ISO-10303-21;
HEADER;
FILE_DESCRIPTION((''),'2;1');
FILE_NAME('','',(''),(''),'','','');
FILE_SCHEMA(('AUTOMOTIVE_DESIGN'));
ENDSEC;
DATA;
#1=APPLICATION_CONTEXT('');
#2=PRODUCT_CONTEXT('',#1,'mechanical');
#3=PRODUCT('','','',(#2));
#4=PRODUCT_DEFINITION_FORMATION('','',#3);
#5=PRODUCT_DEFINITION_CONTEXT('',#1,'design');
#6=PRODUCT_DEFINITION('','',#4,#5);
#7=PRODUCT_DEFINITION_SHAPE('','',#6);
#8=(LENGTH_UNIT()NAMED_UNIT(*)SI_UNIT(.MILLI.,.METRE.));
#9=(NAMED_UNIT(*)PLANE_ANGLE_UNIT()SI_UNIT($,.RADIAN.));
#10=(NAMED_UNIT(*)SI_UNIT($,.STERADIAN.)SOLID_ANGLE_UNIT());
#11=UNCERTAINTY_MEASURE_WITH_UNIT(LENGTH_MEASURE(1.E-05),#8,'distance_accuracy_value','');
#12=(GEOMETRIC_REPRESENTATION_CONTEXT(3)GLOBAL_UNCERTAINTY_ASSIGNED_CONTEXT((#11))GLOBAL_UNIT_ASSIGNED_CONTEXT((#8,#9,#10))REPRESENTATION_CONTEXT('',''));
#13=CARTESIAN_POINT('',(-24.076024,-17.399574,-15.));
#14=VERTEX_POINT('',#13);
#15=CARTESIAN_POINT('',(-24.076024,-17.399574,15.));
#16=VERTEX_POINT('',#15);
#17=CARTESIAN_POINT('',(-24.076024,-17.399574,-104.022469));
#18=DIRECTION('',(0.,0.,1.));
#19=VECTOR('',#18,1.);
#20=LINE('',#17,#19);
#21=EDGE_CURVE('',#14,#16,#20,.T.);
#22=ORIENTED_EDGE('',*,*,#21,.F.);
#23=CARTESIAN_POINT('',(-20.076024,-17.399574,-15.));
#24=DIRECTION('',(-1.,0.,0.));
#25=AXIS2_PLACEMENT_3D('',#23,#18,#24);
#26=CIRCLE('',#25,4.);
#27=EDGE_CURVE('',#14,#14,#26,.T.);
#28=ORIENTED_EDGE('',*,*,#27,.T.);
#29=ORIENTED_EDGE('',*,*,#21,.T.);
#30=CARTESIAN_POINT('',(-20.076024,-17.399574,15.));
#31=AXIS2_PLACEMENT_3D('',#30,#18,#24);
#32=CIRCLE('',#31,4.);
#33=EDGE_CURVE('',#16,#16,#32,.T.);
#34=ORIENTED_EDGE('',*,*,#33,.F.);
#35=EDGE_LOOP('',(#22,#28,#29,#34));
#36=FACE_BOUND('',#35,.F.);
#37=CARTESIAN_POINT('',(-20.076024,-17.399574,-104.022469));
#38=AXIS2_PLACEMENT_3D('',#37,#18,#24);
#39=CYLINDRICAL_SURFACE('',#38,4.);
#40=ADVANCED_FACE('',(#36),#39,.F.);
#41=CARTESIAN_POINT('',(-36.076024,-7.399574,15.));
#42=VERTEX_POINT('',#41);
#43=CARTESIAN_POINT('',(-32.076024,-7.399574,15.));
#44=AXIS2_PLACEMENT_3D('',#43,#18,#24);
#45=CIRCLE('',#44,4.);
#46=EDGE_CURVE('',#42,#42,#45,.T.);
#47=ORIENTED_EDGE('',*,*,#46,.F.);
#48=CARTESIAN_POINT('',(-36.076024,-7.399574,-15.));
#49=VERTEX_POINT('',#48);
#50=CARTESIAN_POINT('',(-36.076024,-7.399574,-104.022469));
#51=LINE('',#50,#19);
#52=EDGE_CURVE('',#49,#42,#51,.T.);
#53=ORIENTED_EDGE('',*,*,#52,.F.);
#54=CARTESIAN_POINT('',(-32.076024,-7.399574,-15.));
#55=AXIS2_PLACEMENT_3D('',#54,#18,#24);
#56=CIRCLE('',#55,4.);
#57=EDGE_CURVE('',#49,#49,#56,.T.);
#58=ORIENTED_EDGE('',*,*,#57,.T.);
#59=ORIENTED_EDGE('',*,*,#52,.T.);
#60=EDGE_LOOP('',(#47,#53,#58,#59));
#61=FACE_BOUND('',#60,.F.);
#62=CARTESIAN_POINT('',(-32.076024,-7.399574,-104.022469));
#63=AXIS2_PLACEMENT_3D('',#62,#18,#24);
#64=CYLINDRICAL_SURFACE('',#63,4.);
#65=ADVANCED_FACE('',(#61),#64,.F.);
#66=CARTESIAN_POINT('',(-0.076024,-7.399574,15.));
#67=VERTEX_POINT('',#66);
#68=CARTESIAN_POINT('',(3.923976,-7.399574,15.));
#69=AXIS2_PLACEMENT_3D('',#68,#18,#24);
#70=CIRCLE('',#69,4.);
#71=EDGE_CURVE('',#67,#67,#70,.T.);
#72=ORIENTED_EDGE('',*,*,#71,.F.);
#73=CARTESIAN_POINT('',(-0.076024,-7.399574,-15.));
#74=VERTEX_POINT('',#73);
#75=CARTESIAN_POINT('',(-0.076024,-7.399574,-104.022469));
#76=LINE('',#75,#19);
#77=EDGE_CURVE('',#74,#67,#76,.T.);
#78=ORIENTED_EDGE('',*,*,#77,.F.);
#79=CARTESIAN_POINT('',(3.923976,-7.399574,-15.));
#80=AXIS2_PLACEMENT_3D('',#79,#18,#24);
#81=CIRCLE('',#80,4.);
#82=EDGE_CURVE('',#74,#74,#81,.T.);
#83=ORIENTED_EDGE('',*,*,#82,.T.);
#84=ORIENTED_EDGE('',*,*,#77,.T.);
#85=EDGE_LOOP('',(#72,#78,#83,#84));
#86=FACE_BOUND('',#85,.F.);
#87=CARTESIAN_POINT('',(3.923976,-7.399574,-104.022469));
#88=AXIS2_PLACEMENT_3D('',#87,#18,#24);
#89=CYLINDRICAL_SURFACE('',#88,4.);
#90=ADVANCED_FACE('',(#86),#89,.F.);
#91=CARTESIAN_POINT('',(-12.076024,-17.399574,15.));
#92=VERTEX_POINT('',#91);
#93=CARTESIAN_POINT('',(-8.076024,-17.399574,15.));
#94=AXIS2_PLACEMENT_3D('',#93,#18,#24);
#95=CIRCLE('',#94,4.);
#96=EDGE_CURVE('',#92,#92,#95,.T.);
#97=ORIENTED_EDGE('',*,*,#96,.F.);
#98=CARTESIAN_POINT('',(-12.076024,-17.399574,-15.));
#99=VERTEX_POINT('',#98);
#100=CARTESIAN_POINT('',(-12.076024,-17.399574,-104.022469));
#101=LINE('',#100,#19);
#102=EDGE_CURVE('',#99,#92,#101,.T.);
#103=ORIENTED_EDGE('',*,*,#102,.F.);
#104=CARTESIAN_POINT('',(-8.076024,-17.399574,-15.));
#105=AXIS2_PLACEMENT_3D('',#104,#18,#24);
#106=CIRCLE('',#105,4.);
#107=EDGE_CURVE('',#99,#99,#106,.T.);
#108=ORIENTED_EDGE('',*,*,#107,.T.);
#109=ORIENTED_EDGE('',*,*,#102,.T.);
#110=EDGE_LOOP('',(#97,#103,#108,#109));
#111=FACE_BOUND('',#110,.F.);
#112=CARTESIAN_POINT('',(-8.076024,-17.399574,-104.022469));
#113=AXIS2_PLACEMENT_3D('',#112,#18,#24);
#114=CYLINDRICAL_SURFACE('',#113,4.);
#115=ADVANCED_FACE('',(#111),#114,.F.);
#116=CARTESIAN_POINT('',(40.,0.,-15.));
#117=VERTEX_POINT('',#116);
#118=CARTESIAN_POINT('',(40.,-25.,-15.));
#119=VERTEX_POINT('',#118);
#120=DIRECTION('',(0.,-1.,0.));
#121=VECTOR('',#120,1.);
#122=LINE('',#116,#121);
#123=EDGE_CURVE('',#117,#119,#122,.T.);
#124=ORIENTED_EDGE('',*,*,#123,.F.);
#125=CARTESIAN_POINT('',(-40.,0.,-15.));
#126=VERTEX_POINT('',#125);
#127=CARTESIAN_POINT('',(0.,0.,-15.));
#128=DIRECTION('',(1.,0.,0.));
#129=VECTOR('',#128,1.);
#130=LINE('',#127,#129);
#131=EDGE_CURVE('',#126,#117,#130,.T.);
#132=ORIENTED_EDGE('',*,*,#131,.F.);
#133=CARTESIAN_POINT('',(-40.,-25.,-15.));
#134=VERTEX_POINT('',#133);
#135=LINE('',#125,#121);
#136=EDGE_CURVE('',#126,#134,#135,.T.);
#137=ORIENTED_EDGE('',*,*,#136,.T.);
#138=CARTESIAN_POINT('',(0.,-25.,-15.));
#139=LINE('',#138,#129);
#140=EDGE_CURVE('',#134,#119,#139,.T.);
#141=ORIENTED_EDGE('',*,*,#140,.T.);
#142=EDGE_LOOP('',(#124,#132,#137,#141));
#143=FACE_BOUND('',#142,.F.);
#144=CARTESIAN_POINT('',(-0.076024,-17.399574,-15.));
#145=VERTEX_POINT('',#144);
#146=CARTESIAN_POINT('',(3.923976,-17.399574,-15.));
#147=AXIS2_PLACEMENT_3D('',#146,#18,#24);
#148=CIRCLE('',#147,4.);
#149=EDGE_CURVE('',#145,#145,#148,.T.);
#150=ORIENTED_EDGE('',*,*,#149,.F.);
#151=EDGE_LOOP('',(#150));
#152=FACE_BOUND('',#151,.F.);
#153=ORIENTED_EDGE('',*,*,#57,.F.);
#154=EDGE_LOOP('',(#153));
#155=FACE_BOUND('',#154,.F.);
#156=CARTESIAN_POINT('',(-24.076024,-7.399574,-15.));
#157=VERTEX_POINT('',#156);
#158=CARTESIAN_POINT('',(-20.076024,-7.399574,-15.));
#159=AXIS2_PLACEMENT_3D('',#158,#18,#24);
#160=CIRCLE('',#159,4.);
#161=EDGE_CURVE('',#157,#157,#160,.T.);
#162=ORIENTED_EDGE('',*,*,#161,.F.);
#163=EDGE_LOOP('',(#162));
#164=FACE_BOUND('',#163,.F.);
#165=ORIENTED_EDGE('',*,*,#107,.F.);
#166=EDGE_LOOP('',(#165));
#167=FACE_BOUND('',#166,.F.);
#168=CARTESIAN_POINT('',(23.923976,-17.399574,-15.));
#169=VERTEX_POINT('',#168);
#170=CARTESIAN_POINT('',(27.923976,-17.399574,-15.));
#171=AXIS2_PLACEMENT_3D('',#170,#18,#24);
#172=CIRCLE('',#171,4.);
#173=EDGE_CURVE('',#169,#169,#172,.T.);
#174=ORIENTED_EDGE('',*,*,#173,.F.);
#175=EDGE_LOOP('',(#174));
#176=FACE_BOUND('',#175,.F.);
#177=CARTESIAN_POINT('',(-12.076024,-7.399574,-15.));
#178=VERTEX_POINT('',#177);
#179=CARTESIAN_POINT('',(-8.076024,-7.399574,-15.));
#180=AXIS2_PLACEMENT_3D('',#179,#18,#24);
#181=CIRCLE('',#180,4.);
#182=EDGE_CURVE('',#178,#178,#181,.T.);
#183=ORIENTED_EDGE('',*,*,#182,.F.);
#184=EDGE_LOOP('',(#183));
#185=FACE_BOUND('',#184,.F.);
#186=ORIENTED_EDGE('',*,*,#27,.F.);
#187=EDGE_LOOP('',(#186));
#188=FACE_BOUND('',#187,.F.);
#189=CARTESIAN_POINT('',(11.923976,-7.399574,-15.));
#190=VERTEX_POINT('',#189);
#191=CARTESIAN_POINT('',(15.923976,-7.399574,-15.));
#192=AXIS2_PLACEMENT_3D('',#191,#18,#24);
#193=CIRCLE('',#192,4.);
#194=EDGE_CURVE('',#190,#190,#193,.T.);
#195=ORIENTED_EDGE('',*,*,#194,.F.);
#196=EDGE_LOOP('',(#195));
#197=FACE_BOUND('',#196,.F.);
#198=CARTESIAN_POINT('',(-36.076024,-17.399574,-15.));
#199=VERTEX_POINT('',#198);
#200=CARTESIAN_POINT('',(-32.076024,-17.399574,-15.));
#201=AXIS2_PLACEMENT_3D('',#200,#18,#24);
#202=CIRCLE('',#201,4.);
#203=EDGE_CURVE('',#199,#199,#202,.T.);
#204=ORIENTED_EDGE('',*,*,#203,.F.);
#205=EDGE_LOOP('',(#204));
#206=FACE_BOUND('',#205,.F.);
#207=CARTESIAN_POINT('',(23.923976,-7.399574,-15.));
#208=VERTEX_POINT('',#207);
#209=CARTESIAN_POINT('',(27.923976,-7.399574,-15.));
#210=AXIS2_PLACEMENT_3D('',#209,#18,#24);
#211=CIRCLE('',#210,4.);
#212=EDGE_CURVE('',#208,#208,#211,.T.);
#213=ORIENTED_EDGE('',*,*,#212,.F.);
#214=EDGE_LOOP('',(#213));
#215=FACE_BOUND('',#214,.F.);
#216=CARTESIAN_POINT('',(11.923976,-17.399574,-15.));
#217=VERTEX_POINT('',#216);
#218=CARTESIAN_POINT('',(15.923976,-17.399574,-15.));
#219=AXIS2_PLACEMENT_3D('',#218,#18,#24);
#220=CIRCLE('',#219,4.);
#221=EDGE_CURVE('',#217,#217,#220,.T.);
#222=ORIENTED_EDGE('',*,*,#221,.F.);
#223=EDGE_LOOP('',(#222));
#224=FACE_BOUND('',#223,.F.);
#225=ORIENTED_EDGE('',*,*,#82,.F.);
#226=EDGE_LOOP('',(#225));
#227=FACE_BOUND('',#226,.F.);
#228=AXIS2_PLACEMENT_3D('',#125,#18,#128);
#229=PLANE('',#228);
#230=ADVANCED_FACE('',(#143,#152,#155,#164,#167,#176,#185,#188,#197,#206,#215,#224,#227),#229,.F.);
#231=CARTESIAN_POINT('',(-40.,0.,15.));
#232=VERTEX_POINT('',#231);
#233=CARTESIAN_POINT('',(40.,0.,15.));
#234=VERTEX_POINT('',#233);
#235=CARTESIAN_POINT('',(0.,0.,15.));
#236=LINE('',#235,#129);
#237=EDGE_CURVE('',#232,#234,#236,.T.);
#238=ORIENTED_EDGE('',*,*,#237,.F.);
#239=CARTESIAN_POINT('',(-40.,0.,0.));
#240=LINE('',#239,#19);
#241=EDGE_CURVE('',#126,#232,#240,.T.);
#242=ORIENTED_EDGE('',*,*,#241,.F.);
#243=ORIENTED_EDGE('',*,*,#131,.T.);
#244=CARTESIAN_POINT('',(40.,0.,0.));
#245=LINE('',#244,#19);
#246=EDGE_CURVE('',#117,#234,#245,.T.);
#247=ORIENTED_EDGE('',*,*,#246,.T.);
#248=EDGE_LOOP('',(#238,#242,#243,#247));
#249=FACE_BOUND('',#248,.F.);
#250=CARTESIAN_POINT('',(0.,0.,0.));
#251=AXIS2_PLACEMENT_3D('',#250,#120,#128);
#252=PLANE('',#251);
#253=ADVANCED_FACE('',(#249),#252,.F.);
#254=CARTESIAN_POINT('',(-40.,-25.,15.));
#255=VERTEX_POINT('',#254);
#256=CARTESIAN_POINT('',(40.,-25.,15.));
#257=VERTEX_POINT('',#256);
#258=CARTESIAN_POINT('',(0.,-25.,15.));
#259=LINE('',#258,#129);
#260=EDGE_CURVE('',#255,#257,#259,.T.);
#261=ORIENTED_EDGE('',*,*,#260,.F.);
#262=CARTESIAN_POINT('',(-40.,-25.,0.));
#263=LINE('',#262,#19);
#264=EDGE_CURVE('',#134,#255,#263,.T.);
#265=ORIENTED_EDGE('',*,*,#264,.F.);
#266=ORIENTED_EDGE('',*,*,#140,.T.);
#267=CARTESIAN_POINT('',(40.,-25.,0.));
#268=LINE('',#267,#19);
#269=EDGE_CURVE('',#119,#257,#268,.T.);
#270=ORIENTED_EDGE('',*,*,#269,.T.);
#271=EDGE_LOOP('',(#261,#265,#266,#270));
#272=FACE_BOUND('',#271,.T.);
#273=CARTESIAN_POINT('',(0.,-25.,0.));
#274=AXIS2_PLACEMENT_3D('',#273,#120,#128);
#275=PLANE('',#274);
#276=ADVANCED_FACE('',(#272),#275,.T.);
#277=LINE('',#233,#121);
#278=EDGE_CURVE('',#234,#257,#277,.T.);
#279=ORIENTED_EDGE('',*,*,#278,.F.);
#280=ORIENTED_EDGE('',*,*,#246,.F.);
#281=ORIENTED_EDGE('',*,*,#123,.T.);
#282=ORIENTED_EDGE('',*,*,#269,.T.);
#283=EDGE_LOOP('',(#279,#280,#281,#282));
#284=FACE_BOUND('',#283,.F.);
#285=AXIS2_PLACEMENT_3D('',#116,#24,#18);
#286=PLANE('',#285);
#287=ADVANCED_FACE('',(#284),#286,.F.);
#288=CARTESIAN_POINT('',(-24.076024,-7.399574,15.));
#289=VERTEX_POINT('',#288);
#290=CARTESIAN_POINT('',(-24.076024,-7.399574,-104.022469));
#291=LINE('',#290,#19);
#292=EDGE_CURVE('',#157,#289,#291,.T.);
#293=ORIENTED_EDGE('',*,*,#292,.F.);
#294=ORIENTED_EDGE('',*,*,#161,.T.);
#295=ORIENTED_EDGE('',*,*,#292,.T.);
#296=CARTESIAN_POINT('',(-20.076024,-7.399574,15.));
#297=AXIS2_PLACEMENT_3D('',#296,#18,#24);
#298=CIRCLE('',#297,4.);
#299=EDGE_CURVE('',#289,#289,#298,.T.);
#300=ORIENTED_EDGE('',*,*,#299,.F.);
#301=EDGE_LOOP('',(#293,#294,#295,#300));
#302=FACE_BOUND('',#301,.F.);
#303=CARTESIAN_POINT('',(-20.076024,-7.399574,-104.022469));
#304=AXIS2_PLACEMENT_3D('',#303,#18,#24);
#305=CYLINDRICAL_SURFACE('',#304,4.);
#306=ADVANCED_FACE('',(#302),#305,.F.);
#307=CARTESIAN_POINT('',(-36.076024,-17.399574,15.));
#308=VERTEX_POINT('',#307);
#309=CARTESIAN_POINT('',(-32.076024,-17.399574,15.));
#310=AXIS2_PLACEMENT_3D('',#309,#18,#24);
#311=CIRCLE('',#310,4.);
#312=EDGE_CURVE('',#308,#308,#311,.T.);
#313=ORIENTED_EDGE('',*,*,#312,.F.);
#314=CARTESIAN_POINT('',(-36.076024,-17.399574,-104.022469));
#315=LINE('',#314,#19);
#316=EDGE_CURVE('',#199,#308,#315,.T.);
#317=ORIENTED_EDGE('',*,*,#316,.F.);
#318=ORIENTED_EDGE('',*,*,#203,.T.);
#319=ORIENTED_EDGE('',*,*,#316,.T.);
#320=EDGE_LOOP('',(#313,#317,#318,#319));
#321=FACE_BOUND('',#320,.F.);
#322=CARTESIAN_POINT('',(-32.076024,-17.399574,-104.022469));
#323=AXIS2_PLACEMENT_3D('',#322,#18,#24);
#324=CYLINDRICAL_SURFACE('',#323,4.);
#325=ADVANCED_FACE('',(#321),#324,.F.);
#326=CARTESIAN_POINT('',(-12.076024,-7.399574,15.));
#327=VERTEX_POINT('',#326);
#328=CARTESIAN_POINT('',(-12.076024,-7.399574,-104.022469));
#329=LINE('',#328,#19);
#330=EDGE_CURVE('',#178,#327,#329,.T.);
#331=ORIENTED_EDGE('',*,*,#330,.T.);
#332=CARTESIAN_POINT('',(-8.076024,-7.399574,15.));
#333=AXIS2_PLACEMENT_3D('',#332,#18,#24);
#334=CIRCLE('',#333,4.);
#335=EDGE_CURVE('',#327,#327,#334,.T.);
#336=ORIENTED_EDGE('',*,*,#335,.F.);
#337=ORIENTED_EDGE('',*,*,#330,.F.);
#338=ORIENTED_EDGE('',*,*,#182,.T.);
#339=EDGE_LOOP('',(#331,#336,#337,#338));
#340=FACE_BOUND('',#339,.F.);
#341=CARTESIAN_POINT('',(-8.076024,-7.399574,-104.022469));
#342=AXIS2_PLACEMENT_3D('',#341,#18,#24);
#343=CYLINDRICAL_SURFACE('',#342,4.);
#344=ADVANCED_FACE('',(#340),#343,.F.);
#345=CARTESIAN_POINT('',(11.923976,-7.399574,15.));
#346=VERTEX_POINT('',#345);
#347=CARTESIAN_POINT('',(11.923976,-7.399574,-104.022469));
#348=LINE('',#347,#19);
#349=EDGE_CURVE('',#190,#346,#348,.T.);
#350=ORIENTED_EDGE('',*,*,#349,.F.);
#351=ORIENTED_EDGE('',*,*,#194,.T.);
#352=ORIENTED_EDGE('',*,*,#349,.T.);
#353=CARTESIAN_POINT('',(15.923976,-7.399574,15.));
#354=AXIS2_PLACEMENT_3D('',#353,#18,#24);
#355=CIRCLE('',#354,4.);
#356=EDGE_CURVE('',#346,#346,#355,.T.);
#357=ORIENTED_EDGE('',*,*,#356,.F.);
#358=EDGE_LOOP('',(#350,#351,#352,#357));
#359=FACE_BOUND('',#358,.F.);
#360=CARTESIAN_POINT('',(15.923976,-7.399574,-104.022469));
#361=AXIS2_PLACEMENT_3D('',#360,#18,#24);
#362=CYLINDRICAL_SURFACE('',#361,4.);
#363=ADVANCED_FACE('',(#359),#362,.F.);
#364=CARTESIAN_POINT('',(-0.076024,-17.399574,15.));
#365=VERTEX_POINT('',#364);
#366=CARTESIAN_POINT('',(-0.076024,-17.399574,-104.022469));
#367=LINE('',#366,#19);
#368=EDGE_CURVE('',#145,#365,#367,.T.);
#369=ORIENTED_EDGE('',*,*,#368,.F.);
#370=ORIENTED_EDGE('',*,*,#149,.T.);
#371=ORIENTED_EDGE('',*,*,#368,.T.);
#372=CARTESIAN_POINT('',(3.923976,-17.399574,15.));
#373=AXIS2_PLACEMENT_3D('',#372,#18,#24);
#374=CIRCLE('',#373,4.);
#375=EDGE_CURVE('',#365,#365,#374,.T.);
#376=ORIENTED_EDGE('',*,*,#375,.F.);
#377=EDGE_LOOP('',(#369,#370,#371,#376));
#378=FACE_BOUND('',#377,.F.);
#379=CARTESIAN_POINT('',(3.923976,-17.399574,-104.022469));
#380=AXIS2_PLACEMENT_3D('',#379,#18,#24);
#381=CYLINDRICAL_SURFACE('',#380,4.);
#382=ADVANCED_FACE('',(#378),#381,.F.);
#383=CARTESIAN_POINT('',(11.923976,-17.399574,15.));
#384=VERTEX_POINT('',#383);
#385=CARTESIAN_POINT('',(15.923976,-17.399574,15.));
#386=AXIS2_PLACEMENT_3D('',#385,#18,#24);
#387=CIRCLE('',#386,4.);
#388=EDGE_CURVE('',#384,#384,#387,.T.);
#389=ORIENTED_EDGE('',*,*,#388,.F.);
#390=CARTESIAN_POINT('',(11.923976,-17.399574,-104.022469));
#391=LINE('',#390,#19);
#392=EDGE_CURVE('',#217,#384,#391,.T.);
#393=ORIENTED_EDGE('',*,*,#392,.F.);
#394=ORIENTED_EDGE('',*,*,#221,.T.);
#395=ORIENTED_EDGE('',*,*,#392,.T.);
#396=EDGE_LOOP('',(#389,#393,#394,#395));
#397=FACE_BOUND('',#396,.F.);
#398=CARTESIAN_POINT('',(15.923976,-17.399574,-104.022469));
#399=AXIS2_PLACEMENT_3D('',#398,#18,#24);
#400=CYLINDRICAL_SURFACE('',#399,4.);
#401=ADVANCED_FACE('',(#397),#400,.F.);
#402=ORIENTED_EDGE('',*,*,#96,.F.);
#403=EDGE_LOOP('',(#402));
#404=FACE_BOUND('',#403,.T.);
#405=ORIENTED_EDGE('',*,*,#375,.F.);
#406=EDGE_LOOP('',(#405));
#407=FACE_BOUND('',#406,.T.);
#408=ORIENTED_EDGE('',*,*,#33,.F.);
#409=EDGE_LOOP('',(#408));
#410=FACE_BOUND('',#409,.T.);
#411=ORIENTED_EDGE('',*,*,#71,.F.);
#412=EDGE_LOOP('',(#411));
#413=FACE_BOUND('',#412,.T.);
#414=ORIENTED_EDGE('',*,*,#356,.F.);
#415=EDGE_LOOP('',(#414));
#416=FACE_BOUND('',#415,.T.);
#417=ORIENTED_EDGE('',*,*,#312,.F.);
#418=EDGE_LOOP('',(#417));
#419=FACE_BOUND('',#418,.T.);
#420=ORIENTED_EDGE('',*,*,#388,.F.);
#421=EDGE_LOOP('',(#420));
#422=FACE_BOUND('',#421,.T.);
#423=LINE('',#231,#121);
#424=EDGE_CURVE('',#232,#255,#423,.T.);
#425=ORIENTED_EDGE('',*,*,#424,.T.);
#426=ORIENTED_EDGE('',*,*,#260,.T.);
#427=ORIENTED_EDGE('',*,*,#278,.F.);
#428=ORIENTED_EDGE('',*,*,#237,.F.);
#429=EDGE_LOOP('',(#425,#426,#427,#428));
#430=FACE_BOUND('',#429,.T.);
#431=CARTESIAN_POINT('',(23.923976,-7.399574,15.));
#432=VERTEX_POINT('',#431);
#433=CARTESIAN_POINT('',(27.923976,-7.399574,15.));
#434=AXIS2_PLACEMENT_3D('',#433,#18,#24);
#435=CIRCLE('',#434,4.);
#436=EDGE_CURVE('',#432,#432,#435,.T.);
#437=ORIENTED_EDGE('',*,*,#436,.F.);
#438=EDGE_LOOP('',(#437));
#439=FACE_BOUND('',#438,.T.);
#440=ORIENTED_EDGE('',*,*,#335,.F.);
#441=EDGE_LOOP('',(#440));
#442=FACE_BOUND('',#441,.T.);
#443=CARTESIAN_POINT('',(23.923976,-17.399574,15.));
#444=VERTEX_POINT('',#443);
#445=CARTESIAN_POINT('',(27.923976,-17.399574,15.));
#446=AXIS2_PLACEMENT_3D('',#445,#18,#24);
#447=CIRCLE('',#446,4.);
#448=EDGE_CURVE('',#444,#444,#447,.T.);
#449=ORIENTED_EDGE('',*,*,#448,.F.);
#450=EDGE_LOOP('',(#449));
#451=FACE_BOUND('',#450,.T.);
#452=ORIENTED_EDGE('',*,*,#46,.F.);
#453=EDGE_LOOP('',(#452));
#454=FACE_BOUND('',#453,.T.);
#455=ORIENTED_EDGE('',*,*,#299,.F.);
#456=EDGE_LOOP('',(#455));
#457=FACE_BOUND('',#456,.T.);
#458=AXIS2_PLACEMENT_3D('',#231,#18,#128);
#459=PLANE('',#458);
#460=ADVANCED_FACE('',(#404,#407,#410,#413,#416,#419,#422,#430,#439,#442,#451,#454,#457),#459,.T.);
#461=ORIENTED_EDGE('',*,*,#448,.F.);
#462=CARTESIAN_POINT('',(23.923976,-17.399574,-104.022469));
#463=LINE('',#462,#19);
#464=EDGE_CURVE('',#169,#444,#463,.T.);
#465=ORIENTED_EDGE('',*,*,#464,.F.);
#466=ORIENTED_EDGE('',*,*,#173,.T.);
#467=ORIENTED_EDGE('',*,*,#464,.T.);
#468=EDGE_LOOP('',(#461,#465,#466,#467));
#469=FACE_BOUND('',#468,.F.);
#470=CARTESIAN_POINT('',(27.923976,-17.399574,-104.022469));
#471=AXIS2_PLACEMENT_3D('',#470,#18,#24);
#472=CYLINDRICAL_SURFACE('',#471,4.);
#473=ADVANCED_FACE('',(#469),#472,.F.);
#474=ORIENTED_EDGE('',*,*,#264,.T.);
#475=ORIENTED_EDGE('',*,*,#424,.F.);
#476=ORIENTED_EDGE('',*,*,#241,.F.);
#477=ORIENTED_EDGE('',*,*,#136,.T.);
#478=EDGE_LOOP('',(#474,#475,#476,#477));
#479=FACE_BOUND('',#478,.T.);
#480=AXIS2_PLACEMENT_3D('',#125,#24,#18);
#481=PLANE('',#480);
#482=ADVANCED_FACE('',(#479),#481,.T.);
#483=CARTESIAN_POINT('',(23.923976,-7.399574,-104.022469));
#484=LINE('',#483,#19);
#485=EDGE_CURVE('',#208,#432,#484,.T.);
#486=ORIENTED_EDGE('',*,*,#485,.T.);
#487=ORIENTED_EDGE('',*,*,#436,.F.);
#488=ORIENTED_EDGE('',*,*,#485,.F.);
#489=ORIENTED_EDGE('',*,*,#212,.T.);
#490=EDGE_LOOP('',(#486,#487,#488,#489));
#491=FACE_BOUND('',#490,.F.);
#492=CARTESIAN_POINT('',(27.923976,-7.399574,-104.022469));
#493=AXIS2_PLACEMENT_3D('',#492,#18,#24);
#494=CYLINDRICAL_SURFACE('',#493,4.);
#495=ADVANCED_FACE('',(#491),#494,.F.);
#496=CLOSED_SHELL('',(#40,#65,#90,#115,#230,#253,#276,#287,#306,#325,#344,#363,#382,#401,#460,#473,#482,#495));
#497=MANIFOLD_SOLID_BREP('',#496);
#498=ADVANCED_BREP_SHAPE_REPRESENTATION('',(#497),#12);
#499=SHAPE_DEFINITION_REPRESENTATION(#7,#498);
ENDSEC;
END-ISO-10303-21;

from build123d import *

# Parameters (mm, degrees)
F0_W     = 80
F0_H     = 30
F1_DEPTH = 25
F3_D     = 8


with BuildPart() as f1:
    # F0 (on Front) → F1 (new body)
    with BuildSketch(Plane.XZ):
        Rectangle(F0_W, F0_H)
    extrude(amount=F1_DEPTH)

    # F3 (through all)
    with Locations(Plane(origin=(0, 0, -15), x_dir=(1, 0, 0), z_dir=(0, 0, -1))):
        with Locations((-32.076024, 17.399574), (-20.076024, 17.399574), (-8.076024, 17.399574), (3.923976, 17.399574), (15.923976, 17.399574), (27.923976, 17.399574), (27.923976, 7.399574), (15.923976, 7.399574), (3.923976, 7.399574), (-20.076024, 7.399574), (-32.076024, 7.399574), (-8.076024, 7.399574)):
            Hole(F3_D / 2)


solid = f1.part
